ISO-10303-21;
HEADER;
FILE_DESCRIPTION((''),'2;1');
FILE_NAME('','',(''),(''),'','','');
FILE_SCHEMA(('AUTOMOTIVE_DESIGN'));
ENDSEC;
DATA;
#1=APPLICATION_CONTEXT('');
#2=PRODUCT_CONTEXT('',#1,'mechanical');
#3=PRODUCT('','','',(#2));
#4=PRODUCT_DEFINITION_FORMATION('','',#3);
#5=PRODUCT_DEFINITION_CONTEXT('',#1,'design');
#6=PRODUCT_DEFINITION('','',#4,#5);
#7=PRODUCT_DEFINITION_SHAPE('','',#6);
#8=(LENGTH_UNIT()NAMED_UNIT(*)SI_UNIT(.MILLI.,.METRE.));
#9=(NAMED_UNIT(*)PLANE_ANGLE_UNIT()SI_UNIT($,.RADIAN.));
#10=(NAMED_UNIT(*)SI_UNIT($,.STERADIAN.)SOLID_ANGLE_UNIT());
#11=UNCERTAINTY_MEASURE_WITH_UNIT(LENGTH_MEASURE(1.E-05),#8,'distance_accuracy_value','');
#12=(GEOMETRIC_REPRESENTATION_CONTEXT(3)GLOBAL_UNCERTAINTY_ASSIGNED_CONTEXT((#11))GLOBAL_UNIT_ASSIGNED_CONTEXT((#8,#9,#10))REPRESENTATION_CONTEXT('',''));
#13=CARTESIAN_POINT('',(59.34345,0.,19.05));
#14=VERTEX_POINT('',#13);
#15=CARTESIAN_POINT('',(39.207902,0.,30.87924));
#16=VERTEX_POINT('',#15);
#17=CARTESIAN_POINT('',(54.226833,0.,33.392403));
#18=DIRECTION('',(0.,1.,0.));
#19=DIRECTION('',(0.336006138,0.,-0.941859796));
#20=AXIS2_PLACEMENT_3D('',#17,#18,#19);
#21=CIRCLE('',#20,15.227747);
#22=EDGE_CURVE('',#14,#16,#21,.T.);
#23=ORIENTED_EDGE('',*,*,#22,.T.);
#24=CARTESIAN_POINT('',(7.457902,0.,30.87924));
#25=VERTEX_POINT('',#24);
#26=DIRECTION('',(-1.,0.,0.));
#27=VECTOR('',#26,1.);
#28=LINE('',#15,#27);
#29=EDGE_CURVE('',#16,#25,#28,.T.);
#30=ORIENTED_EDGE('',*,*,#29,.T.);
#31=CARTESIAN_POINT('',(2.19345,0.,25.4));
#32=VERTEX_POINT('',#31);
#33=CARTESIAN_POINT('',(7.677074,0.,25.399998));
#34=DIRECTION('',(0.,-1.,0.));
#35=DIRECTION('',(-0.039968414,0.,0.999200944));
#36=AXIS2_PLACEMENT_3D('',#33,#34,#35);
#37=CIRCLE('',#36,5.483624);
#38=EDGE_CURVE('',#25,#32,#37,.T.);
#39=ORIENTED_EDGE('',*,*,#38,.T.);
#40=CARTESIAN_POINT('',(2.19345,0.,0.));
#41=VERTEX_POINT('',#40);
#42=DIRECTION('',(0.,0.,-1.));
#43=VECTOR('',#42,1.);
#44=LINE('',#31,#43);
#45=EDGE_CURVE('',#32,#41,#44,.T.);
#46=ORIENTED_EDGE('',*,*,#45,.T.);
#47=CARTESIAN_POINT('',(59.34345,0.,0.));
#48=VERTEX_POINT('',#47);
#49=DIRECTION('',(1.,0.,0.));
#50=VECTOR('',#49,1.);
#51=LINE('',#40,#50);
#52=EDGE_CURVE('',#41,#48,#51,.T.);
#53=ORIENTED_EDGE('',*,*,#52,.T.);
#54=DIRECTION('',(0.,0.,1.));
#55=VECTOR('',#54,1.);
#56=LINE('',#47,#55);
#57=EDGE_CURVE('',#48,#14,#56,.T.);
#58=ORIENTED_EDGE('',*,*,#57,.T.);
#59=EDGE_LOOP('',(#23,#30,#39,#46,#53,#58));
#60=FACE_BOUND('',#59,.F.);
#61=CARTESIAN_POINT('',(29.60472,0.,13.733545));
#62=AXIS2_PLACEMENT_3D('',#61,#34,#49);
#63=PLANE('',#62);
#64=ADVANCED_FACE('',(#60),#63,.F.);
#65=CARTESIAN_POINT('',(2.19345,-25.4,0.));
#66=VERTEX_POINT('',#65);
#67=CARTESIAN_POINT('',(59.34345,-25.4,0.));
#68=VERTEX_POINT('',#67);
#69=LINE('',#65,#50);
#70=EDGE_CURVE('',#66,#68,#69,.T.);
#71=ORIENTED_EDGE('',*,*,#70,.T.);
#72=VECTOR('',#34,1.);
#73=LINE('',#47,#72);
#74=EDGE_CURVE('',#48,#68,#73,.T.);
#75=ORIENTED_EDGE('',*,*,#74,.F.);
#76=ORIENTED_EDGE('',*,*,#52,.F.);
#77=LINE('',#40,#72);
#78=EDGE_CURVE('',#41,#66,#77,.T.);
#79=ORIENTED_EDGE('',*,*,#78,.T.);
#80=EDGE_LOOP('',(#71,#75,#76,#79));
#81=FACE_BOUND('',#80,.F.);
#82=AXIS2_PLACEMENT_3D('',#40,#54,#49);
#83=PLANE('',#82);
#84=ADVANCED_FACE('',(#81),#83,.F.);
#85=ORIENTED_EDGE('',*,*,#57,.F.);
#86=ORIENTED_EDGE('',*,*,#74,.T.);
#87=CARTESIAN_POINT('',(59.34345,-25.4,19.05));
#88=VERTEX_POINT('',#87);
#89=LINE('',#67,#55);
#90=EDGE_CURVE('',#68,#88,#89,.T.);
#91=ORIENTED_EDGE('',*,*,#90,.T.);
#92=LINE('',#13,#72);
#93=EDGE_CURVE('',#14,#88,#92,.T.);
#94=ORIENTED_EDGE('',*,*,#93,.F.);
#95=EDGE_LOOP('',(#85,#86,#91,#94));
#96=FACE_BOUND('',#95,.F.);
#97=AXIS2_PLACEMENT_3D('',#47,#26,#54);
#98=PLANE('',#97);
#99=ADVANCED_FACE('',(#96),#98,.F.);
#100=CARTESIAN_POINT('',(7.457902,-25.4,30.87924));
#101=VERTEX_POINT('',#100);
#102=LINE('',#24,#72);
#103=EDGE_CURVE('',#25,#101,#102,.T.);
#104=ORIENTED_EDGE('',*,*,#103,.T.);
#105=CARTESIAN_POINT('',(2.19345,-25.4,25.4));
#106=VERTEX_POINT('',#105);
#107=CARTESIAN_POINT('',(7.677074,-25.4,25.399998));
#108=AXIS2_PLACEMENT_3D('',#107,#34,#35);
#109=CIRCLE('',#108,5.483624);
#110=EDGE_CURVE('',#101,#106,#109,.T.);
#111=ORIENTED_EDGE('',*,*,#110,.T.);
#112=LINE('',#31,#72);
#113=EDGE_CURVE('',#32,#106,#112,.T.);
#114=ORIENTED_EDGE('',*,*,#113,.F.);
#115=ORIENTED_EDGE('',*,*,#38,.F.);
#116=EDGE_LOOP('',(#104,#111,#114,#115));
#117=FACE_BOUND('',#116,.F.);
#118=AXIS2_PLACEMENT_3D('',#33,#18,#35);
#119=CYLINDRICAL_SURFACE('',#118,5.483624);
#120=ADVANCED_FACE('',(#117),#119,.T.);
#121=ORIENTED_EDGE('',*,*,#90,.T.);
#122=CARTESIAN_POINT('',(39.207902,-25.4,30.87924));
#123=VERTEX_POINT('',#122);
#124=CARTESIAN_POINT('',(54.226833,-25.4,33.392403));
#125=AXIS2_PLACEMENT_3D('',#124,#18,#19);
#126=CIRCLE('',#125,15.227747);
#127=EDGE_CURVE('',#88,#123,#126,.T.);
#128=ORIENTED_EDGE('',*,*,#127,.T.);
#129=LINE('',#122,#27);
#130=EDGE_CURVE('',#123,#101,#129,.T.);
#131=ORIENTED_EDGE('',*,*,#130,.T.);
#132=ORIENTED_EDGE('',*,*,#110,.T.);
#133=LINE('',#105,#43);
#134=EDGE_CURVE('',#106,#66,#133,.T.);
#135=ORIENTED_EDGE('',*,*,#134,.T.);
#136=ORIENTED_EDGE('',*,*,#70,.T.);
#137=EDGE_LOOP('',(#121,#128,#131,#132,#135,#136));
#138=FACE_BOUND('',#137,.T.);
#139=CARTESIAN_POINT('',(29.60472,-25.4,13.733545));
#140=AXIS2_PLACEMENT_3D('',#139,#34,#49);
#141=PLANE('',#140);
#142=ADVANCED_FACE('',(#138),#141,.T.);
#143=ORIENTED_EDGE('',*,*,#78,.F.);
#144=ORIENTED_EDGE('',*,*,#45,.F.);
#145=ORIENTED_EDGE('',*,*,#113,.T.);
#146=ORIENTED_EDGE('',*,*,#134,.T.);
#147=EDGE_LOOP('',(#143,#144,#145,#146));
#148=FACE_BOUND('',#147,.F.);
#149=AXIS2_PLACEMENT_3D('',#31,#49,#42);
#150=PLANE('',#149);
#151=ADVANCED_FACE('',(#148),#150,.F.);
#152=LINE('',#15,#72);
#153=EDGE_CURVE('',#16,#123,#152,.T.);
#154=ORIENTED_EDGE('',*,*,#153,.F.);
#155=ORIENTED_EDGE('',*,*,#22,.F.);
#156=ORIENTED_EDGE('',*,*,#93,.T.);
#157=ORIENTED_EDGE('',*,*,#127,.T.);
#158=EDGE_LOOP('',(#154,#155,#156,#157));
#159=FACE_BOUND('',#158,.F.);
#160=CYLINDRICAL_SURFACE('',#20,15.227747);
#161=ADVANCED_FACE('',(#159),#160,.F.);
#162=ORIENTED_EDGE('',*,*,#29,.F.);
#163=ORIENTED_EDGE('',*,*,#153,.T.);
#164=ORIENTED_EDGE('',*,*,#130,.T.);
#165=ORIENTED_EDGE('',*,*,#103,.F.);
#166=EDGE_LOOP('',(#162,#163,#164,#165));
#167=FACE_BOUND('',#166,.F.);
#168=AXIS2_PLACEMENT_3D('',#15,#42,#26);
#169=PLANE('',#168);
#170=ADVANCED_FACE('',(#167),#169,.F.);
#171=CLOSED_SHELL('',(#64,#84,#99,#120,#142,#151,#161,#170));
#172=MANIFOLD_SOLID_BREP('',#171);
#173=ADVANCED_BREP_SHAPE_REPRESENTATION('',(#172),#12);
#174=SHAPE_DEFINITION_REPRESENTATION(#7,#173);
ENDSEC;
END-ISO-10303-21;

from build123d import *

# Parameters (mm, degrees)
F1_DEPTH = 25.4


with BuildPart() as f1:
    # F0 (on Front) → F1 (new body)
    with BuildSketch(Plane.XZ):
        with BuildLine():
            Line((2.19345, 25.4), (2.19345, 0))
            Line((2.19345, 0), (59.34345, 0))
            Line((59.34345, 0), (59.34345, 19.05))
            ThreePointArc((59.34345, 19.05), (46.513424, 20.262757), (39.207902, 30.87924))
            Line((39.207902, 30.87924), (7.457902, 30.87924))
            ThreePointArc((7.457902, 30.87924), (3.722837, 29.199227), (2.19345, 25.4))
        make_face()
    extrude(amount=F1_DEPTH)


solid = f1.part
